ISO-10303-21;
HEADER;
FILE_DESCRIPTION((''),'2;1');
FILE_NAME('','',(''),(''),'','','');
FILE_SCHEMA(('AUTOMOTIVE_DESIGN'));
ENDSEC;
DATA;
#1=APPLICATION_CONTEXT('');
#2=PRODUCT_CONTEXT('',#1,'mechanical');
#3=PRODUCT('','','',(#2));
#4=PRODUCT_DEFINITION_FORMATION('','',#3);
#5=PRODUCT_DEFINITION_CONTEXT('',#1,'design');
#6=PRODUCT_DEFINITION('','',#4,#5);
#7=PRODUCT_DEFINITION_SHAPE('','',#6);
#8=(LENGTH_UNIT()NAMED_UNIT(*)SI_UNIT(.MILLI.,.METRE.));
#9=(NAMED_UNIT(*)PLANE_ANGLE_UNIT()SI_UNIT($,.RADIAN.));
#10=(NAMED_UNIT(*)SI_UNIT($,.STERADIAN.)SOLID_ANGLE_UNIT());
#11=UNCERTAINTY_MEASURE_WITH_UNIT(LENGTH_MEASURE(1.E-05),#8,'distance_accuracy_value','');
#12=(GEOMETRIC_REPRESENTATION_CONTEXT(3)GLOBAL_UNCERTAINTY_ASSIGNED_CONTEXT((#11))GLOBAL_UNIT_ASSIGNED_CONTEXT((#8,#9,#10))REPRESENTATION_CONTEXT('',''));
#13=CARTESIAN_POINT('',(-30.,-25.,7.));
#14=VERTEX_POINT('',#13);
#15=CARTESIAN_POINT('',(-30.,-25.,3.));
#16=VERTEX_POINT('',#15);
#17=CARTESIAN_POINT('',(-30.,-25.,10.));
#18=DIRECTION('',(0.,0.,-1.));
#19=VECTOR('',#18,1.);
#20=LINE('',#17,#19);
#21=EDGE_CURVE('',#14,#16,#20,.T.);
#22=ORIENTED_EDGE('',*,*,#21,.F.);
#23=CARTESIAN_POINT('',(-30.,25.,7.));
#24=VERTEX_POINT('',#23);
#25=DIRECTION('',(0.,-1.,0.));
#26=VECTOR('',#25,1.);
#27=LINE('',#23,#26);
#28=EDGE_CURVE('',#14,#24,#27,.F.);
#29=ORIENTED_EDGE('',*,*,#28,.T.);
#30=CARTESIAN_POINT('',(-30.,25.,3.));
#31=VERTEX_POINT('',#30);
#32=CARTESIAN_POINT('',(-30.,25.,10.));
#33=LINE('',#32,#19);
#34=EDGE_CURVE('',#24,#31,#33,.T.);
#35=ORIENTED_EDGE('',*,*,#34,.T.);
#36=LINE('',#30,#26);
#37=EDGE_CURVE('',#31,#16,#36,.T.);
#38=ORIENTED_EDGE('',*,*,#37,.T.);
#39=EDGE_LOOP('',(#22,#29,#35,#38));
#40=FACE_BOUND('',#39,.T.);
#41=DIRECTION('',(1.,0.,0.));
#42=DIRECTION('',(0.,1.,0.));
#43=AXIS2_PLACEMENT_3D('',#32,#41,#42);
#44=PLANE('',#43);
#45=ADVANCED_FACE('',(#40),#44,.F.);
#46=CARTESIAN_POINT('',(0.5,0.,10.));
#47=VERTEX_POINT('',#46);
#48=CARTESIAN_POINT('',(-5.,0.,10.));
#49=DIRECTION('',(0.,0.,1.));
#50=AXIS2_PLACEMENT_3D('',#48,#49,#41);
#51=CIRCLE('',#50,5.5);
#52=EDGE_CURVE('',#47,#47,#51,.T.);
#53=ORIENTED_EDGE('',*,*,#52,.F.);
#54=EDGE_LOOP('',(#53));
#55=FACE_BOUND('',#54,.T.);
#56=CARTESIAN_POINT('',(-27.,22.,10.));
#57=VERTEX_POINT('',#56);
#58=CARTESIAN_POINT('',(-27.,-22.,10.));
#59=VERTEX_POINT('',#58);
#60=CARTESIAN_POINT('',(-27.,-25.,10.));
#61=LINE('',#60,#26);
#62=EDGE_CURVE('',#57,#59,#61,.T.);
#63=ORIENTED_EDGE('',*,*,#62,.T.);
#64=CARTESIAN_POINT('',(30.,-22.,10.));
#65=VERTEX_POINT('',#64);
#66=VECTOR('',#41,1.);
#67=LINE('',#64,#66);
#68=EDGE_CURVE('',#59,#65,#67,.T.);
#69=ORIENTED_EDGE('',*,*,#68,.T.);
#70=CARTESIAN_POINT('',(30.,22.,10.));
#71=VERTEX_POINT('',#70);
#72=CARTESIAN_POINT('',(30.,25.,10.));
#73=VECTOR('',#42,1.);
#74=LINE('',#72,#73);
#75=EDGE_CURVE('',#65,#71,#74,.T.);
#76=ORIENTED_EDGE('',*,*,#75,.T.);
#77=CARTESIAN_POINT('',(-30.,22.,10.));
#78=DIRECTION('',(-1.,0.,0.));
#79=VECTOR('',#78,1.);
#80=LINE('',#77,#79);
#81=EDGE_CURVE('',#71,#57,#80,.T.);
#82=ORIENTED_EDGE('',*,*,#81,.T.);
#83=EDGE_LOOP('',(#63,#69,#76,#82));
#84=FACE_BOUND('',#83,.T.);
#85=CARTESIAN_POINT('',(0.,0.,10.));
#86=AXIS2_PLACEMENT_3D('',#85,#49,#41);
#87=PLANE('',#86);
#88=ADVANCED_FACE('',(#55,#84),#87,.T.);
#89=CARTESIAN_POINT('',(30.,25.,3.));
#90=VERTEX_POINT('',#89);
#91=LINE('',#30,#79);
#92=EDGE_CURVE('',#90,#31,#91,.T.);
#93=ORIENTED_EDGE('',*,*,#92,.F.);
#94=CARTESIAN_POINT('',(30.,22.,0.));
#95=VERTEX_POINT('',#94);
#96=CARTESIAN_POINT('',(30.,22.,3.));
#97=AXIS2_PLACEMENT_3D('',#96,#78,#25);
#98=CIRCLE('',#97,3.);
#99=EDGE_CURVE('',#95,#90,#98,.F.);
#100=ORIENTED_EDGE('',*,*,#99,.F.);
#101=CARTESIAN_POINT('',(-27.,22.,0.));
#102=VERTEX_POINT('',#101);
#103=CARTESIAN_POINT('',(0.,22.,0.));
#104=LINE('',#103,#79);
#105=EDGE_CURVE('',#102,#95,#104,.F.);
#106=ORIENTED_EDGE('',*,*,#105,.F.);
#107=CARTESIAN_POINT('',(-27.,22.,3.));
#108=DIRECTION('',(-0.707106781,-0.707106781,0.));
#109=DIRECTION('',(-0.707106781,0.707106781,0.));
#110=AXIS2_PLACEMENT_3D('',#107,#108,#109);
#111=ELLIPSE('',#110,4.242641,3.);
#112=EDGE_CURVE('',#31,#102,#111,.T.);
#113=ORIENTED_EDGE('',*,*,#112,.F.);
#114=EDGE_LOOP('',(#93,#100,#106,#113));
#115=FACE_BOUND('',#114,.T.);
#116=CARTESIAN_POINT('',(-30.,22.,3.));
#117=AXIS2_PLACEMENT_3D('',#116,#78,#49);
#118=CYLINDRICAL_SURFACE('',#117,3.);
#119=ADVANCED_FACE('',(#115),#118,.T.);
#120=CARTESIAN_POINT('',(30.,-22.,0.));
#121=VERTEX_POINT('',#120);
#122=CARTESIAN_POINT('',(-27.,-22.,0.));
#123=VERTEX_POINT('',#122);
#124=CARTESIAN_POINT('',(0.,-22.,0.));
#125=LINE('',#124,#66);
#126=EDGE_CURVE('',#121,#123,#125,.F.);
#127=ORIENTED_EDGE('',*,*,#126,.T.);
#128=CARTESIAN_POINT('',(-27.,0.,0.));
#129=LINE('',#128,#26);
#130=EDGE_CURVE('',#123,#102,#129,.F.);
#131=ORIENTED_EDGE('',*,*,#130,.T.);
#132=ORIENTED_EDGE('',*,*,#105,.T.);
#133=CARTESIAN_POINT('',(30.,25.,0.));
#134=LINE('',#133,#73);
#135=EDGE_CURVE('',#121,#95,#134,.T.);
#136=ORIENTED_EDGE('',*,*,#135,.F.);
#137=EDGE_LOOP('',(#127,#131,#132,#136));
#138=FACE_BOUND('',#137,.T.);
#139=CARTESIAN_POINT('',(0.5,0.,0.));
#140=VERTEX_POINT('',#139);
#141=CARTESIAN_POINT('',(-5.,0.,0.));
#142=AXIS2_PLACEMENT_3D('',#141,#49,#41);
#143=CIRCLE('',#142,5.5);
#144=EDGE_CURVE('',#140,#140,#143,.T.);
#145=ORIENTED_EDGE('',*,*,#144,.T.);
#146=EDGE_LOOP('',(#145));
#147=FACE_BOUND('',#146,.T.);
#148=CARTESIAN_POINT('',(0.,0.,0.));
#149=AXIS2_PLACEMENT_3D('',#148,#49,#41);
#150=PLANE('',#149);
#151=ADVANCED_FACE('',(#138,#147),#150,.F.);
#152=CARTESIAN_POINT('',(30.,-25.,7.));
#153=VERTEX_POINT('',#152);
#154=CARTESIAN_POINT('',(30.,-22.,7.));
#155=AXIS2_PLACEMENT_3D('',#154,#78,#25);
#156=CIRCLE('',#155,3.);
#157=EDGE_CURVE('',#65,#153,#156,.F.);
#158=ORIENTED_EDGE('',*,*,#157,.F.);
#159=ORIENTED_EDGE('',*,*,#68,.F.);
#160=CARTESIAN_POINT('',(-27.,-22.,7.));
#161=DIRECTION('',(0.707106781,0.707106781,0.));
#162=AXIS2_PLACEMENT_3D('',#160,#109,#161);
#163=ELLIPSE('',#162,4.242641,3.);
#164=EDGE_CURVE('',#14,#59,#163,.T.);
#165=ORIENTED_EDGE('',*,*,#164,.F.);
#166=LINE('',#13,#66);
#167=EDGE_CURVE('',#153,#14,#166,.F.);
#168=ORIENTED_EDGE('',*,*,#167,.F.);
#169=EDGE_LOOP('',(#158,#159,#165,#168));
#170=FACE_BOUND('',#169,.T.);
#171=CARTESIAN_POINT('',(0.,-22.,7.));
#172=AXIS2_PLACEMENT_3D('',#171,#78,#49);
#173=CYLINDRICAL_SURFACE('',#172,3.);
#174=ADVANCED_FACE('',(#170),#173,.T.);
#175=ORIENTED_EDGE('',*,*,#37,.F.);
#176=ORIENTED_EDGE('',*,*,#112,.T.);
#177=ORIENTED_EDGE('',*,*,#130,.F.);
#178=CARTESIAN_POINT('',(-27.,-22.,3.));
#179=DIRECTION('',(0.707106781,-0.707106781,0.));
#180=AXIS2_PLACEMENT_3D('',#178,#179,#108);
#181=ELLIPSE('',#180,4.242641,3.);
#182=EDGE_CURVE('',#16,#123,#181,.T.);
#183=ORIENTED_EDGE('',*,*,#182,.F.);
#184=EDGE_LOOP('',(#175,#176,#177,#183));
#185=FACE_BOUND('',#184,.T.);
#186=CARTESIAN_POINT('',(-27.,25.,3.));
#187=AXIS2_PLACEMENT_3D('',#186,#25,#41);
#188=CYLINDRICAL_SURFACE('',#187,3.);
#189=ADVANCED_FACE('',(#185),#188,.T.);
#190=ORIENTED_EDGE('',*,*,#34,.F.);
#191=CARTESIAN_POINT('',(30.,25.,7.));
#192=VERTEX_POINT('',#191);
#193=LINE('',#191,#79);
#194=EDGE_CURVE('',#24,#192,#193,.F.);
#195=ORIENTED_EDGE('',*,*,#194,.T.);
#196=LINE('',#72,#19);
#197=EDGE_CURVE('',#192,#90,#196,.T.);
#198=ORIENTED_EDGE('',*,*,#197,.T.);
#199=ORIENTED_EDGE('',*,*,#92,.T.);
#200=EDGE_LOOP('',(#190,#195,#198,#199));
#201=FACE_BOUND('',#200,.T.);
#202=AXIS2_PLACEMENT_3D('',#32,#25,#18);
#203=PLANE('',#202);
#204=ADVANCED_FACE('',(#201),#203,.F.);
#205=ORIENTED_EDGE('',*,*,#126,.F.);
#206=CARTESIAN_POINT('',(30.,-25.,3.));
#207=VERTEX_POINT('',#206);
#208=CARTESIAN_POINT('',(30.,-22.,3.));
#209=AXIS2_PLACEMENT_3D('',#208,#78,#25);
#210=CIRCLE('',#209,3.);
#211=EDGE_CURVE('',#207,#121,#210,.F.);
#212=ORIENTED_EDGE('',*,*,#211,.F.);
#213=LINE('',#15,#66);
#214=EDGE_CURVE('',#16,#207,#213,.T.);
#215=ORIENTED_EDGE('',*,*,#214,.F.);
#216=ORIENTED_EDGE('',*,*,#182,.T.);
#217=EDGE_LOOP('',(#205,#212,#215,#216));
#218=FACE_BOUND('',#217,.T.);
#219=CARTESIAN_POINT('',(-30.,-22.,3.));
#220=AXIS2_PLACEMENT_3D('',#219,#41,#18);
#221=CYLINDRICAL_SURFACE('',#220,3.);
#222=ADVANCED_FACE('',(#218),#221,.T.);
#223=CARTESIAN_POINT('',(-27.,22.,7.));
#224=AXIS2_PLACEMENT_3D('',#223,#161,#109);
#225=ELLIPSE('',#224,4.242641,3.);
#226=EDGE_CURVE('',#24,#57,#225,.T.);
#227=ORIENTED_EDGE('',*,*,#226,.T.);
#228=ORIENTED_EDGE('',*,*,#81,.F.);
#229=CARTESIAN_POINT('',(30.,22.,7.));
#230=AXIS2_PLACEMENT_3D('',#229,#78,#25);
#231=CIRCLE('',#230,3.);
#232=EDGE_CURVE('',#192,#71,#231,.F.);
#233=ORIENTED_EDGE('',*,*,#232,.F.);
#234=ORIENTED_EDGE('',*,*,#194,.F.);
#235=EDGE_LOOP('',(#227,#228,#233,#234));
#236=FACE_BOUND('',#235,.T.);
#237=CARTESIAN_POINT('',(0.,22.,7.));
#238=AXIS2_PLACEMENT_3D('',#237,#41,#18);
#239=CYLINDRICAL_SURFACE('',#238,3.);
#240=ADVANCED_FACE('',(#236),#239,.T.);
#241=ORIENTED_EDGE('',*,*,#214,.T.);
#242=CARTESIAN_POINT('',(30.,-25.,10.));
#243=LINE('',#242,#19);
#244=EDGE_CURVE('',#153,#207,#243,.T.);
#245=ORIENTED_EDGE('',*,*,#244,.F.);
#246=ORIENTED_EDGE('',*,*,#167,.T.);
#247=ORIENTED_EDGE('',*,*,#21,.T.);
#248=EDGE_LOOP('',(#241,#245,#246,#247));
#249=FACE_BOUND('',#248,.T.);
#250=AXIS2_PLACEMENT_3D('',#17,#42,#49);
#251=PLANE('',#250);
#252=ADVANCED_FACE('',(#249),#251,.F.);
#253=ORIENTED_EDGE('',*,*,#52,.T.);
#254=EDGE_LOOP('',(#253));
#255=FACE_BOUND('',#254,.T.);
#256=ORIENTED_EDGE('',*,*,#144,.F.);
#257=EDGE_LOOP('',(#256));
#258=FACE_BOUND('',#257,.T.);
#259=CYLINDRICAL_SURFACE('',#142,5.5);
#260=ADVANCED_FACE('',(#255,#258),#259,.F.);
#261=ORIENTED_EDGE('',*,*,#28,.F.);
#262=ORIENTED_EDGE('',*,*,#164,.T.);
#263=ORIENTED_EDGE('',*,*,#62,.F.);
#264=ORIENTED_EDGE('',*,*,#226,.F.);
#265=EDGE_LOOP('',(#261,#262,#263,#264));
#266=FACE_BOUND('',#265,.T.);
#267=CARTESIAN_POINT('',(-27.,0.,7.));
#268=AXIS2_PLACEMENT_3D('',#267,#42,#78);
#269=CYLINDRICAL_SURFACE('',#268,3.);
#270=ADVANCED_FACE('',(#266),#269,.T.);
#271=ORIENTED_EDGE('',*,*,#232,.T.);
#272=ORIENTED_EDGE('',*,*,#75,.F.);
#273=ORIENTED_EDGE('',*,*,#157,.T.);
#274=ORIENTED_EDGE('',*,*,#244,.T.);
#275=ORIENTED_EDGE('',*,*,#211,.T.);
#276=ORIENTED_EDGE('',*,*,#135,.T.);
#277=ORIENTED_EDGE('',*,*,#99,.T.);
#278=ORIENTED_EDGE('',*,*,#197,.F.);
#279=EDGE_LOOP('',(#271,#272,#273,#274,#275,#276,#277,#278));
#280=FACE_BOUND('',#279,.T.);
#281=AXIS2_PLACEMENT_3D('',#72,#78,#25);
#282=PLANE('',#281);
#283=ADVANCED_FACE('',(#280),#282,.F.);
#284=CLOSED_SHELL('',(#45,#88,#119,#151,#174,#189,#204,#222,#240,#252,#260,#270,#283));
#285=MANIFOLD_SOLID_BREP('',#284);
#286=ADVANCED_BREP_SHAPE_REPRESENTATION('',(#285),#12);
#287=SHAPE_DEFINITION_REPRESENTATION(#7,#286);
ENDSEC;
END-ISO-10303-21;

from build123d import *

# Parameters (mm, degrees)
SKETCH_1_W          = 60
SKETCH_1_H          = 50
EXTRUDE_1_DEPTH     = 10
SKETCH_2_R          = 5.5
CUT_EXTRUDE_1_DEPTH = 10
FILLET_1_R          = 3


with BuildPart() as part:
    # 草图1 → 凸台-拉伸1 (new body)
    with BuildSketch(Plane.XY):
        Rectangle(SKETCH_1_W, SKETCH_1_H)
    extrude(amount=EXTRUDE_1_DEPTH)

    # 草图2 → 切除-拉伸1 (cut)
    with BuildSketch(Plane.XY.offset(10)):
        with Locations((-5, 0)):
            Circle(SKETCH_2_R)
    extrude(amount=-CUT_EXTRUDE_1_DEPTH, mode=Mode.SUBTRACT)

    # 圆角1
    fillet_1_edges = [part.edges().sort_by_distance(p)[0] for p in [
        (-30, 0, 10),
        (0, -25, 10),
        (0, -25, 0),
        (-30, 0, 0),
        (0, 25, 0),
        (0, 25, 10),
    ]]
    fillet(fillet_1_edges, radius=FILLET_1_R)


solid = part.part
